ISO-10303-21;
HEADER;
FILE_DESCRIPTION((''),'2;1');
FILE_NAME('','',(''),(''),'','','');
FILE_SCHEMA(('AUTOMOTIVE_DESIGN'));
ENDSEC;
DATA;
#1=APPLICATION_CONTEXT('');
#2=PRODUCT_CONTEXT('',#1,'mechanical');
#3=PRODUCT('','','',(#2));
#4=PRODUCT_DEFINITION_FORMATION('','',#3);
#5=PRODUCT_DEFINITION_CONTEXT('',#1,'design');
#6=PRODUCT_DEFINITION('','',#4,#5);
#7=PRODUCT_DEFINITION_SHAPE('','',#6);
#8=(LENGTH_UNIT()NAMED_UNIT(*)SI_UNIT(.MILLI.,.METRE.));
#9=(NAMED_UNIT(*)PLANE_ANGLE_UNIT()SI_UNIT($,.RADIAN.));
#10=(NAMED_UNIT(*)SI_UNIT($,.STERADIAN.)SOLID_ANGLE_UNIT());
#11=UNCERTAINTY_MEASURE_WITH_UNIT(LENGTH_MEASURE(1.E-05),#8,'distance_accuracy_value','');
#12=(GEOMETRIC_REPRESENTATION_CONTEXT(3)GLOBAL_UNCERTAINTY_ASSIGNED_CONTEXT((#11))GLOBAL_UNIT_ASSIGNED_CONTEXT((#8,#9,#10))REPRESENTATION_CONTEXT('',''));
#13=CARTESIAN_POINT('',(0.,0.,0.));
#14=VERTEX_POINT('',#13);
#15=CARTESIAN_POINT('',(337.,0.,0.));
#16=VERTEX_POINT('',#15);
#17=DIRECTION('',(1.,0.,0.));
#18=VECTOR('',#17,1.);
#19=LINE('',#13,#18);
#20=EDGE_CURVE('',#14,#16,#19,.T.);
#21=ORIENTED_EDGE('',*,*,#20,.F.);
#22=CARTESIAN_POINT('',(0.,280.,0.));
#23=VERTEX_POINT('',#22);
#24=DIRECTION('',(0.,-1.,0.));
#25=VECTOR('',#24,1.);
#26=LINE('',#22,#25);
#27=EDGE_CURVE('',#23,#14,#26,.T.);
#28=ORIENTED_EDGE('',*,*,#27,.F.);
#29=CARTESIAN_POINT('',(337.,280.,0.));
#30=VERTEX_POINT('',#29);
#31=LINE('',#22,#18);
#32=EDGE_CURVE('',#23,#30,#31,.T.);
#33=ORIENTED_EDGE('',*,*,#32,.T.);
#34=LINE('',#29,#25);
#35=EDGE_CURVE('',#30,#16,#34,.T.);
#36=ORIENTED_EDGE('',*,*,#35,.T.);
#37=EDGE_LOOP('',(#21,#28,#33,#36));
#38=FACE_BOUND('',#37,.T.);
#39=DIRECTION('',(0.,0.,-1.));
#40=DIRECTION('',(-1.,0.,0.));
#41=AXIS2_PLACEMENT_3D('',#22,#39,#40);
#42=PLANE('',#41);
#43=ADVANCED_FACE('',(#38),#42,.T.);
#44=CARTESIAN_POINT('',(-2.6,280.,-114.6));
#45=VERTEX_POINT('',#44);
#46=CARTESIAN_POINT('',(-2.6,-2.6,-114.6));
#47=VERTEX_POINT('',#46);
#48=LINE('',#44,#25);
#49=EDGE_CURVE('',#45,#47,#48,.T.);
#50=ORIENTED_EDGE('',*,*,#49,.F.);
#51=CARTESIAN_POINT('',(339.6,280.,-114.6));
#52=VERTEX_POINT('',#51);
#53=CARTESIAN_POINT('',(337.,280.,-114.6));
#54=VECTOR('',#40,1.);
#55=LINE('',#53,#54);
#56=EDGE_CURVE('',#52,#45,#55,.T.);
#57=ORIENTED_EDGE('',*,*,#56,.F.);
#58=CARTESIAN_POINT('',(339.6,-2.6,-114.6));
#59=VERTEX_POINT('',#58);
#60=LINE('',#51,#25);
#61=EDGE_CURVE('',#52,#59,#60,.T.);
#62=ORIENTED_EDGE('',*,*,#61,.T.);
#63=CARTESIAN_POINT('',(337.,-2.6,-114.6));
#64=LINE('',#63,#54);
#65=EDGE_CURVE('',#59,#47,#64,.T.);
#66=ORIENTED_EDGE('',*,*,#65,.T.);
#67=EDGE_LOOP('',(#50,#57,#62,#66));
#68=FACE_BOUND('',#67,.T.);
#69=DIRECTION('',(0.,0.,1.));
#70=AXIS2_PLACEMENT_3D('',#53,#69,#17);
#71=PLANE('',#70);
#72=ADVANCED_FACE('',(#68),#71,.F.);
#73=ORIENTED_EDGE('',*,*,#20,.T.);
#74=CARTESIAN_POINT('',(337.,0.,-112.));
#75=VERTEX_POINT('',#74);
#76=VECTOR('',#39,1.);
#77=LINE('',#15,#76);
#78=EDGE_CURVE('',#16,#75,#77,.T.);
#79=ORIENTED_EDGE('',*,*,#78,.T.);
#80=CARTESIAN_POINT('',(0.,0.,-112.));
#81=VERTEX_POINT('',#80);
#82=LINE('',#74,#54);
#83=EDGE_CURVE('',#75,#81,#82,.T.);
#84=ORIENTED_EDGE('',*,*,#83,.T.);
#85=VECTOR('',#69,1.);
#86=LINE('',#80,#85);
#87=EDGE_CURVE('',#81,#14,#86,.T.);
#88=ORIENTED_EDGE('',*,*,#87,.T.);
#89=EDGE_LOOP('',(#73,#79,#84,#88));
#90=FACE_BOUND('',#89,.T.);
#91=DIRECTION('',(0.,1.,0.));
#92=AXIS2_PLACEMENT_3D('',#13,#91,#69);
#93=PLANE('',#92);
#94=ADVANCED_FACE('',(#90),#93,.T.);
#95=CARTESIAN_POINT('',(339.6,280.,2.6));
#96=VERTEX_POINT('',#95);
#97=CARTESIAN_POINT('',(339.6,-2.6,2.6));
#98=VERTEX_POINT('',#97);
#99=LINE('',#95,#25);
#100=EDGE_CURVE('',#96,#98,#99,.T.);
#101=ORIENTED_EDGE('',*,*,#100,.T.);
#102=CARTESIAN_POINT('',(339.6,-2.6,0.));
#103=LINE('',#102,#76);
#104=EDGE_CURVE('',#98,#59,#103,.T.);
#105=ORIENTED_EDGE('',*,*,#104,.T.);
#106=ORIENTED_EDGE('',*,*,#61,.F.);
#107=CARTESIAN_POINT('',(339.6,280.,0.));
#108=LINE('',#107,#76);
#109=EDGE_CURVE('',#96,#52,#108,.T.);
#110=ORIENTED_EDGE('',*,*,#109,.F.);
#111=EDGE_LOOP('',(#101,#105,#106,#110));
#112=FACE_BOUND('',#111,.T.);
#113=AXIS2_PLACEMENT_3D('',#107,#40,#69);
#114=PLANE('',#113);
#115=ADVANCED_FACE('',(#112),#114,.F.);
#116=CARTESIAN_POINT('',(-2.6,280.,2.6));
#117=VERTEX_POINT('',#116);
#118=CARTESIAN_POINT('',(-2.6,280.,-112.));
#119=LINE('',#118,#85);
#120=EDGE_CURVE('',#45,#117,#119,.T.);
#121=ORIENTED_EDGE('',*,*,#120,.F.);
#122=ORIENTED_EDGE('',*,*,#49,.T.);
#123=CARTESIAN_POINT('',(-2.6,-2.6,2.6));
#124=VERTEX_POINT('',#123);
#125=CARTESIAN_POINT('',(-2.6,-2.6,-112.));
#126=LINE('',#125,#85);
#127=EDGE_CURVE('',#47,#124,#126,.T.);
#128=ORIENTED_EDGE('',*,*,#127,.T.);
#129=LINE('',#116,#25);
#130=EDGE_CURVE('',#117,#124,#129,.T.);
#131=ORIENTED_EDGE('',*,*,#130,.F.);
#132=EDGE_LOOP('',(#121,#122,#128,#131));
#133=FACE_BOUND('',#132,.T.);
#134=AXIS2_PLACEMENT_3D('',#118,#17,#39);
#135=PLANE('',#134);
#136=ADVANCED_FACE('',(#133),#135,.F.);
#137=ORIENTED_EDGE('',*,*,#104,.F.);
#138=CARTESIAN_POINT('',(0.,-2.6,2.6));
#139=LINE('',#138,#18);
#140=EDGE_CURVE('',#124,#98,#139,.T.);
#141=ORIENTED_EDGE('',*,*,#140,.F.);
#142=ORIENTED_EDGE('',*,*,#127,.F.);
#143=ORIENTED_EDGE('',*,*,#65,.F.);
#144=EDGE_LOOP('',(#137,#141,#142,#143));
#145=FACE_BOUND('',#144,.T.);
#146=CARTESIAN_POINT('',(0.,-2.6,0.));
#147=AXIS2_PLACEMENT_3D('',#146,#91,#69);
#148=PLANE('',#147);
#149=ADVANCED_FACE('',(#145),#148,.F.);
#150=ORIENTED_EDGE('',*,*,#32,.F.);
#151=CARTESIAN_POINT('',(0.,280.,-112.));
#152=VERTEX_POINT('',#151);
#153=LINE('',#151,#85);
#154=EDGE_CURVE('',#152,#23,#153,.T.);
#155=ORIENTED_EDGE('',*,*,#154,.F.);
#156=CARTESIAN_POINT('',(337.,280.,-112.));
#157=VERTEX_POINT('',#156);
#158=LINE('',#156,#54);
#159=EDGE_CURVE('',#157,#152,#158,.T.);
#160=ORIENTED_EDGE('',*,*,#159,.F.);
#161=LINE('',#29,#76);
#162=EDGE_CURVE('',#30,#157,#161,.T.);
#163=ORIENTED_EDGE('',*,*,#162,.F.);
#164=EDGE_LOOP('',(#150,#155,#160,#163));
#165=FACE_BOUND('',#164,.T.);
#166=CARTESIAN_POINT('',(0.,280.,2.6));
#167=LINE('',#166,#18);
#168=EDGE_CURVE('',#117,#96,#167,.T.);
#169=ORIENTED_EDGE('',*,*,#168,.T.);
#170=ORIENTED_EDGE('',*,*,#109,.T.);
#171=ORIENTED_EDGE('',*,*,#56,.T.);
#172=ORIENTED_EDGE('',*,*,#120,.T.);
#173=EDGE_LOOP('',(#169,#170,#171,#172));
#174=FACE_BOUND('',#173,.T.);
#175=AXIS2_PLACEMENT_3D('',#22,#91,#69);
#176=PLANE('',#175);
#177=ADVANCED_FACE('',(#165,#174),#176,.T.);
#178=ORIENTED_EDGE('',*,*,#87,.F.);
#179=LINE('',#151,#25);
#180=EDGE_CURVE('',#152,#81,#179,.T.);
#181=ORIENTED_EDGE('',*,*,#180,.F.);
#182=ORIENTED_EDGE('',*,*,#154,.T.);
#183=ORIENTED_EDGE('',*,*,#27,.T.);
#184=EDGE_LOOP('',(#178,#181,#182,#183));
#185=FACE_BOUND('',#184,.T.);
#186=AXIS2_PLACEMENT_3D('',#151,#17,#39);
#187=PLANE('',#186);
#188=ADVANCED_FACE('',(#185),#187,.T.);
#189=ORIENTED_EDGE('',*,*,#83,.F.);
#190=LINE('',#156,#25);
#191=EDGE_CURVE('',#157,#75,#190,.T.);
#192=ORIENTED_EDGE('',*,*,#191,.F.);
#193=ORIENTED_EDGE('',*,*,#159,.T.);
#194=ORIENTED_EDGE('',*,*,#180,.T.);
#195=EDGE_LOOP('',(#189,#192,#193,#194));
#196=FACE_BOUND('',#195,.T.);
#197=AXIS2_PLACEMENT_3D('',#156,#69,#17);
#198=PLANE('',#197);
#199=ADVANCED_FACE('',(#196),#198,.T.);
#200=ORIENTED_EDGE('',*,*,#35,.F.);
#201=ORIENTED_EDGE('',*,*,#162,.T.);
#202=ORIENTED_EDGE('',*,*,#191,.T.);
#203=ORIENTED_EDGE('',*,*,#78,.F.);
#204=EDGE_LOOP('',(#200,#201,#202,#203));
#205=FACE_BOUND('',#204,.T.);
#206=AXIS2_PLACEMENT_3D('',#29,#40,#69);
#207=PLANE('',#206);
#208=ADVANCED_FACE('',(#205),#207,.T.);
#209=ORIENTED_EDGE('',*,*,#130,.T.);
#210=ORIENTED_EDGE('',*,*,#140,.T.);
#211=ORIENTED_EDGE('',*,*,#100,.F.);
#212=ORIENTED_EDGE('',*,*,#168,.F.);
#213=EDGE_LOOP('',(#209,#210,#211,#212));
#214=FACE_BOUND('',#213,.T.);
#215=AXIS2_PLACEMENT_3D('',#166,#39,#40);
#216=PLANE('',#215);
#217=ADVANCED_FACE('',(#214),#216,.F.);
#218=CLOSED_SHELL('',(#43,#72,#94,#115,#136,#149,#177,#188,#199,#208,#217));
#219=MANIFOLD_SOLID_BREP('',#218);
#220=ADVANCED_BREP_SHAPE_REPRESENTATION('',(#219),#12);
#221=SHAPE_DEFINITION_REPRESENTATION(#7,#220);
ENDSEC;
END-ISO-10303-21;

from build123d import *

# Parameters (mm, degrees)
ESBO_O1_W                = 337
ESBO_O1_H                = 112
RESSALTO_EXTRUS_O1_DEPTH = 280
CASCA1_T                 = 2.6


with BuildPart() as part:
    # Esboço1 → Ressalto-extrusão1 (new body)
    with BuildSketch(Plane(origin=(0, 0, 0), x_dir=(1, 0, 0), z_dir=(0, 1, 0))):
        with Locations((168.5, 56)):
            Rectangle(ESBO_O1_W, ESBO_O1_H)
    extrude(amount=RESSALTO_EXTRUS_O1_DEPTH)

    # Casca1
    casca1_openings = [part.faces().sort_by_distance(p)[0] for p in [
        (168.5, 280, -56),
    ]]
    offset(amount=CASCA1_T, openings=casca1_openings, kind=Kind.INTERSECTION)


solid = part.part
